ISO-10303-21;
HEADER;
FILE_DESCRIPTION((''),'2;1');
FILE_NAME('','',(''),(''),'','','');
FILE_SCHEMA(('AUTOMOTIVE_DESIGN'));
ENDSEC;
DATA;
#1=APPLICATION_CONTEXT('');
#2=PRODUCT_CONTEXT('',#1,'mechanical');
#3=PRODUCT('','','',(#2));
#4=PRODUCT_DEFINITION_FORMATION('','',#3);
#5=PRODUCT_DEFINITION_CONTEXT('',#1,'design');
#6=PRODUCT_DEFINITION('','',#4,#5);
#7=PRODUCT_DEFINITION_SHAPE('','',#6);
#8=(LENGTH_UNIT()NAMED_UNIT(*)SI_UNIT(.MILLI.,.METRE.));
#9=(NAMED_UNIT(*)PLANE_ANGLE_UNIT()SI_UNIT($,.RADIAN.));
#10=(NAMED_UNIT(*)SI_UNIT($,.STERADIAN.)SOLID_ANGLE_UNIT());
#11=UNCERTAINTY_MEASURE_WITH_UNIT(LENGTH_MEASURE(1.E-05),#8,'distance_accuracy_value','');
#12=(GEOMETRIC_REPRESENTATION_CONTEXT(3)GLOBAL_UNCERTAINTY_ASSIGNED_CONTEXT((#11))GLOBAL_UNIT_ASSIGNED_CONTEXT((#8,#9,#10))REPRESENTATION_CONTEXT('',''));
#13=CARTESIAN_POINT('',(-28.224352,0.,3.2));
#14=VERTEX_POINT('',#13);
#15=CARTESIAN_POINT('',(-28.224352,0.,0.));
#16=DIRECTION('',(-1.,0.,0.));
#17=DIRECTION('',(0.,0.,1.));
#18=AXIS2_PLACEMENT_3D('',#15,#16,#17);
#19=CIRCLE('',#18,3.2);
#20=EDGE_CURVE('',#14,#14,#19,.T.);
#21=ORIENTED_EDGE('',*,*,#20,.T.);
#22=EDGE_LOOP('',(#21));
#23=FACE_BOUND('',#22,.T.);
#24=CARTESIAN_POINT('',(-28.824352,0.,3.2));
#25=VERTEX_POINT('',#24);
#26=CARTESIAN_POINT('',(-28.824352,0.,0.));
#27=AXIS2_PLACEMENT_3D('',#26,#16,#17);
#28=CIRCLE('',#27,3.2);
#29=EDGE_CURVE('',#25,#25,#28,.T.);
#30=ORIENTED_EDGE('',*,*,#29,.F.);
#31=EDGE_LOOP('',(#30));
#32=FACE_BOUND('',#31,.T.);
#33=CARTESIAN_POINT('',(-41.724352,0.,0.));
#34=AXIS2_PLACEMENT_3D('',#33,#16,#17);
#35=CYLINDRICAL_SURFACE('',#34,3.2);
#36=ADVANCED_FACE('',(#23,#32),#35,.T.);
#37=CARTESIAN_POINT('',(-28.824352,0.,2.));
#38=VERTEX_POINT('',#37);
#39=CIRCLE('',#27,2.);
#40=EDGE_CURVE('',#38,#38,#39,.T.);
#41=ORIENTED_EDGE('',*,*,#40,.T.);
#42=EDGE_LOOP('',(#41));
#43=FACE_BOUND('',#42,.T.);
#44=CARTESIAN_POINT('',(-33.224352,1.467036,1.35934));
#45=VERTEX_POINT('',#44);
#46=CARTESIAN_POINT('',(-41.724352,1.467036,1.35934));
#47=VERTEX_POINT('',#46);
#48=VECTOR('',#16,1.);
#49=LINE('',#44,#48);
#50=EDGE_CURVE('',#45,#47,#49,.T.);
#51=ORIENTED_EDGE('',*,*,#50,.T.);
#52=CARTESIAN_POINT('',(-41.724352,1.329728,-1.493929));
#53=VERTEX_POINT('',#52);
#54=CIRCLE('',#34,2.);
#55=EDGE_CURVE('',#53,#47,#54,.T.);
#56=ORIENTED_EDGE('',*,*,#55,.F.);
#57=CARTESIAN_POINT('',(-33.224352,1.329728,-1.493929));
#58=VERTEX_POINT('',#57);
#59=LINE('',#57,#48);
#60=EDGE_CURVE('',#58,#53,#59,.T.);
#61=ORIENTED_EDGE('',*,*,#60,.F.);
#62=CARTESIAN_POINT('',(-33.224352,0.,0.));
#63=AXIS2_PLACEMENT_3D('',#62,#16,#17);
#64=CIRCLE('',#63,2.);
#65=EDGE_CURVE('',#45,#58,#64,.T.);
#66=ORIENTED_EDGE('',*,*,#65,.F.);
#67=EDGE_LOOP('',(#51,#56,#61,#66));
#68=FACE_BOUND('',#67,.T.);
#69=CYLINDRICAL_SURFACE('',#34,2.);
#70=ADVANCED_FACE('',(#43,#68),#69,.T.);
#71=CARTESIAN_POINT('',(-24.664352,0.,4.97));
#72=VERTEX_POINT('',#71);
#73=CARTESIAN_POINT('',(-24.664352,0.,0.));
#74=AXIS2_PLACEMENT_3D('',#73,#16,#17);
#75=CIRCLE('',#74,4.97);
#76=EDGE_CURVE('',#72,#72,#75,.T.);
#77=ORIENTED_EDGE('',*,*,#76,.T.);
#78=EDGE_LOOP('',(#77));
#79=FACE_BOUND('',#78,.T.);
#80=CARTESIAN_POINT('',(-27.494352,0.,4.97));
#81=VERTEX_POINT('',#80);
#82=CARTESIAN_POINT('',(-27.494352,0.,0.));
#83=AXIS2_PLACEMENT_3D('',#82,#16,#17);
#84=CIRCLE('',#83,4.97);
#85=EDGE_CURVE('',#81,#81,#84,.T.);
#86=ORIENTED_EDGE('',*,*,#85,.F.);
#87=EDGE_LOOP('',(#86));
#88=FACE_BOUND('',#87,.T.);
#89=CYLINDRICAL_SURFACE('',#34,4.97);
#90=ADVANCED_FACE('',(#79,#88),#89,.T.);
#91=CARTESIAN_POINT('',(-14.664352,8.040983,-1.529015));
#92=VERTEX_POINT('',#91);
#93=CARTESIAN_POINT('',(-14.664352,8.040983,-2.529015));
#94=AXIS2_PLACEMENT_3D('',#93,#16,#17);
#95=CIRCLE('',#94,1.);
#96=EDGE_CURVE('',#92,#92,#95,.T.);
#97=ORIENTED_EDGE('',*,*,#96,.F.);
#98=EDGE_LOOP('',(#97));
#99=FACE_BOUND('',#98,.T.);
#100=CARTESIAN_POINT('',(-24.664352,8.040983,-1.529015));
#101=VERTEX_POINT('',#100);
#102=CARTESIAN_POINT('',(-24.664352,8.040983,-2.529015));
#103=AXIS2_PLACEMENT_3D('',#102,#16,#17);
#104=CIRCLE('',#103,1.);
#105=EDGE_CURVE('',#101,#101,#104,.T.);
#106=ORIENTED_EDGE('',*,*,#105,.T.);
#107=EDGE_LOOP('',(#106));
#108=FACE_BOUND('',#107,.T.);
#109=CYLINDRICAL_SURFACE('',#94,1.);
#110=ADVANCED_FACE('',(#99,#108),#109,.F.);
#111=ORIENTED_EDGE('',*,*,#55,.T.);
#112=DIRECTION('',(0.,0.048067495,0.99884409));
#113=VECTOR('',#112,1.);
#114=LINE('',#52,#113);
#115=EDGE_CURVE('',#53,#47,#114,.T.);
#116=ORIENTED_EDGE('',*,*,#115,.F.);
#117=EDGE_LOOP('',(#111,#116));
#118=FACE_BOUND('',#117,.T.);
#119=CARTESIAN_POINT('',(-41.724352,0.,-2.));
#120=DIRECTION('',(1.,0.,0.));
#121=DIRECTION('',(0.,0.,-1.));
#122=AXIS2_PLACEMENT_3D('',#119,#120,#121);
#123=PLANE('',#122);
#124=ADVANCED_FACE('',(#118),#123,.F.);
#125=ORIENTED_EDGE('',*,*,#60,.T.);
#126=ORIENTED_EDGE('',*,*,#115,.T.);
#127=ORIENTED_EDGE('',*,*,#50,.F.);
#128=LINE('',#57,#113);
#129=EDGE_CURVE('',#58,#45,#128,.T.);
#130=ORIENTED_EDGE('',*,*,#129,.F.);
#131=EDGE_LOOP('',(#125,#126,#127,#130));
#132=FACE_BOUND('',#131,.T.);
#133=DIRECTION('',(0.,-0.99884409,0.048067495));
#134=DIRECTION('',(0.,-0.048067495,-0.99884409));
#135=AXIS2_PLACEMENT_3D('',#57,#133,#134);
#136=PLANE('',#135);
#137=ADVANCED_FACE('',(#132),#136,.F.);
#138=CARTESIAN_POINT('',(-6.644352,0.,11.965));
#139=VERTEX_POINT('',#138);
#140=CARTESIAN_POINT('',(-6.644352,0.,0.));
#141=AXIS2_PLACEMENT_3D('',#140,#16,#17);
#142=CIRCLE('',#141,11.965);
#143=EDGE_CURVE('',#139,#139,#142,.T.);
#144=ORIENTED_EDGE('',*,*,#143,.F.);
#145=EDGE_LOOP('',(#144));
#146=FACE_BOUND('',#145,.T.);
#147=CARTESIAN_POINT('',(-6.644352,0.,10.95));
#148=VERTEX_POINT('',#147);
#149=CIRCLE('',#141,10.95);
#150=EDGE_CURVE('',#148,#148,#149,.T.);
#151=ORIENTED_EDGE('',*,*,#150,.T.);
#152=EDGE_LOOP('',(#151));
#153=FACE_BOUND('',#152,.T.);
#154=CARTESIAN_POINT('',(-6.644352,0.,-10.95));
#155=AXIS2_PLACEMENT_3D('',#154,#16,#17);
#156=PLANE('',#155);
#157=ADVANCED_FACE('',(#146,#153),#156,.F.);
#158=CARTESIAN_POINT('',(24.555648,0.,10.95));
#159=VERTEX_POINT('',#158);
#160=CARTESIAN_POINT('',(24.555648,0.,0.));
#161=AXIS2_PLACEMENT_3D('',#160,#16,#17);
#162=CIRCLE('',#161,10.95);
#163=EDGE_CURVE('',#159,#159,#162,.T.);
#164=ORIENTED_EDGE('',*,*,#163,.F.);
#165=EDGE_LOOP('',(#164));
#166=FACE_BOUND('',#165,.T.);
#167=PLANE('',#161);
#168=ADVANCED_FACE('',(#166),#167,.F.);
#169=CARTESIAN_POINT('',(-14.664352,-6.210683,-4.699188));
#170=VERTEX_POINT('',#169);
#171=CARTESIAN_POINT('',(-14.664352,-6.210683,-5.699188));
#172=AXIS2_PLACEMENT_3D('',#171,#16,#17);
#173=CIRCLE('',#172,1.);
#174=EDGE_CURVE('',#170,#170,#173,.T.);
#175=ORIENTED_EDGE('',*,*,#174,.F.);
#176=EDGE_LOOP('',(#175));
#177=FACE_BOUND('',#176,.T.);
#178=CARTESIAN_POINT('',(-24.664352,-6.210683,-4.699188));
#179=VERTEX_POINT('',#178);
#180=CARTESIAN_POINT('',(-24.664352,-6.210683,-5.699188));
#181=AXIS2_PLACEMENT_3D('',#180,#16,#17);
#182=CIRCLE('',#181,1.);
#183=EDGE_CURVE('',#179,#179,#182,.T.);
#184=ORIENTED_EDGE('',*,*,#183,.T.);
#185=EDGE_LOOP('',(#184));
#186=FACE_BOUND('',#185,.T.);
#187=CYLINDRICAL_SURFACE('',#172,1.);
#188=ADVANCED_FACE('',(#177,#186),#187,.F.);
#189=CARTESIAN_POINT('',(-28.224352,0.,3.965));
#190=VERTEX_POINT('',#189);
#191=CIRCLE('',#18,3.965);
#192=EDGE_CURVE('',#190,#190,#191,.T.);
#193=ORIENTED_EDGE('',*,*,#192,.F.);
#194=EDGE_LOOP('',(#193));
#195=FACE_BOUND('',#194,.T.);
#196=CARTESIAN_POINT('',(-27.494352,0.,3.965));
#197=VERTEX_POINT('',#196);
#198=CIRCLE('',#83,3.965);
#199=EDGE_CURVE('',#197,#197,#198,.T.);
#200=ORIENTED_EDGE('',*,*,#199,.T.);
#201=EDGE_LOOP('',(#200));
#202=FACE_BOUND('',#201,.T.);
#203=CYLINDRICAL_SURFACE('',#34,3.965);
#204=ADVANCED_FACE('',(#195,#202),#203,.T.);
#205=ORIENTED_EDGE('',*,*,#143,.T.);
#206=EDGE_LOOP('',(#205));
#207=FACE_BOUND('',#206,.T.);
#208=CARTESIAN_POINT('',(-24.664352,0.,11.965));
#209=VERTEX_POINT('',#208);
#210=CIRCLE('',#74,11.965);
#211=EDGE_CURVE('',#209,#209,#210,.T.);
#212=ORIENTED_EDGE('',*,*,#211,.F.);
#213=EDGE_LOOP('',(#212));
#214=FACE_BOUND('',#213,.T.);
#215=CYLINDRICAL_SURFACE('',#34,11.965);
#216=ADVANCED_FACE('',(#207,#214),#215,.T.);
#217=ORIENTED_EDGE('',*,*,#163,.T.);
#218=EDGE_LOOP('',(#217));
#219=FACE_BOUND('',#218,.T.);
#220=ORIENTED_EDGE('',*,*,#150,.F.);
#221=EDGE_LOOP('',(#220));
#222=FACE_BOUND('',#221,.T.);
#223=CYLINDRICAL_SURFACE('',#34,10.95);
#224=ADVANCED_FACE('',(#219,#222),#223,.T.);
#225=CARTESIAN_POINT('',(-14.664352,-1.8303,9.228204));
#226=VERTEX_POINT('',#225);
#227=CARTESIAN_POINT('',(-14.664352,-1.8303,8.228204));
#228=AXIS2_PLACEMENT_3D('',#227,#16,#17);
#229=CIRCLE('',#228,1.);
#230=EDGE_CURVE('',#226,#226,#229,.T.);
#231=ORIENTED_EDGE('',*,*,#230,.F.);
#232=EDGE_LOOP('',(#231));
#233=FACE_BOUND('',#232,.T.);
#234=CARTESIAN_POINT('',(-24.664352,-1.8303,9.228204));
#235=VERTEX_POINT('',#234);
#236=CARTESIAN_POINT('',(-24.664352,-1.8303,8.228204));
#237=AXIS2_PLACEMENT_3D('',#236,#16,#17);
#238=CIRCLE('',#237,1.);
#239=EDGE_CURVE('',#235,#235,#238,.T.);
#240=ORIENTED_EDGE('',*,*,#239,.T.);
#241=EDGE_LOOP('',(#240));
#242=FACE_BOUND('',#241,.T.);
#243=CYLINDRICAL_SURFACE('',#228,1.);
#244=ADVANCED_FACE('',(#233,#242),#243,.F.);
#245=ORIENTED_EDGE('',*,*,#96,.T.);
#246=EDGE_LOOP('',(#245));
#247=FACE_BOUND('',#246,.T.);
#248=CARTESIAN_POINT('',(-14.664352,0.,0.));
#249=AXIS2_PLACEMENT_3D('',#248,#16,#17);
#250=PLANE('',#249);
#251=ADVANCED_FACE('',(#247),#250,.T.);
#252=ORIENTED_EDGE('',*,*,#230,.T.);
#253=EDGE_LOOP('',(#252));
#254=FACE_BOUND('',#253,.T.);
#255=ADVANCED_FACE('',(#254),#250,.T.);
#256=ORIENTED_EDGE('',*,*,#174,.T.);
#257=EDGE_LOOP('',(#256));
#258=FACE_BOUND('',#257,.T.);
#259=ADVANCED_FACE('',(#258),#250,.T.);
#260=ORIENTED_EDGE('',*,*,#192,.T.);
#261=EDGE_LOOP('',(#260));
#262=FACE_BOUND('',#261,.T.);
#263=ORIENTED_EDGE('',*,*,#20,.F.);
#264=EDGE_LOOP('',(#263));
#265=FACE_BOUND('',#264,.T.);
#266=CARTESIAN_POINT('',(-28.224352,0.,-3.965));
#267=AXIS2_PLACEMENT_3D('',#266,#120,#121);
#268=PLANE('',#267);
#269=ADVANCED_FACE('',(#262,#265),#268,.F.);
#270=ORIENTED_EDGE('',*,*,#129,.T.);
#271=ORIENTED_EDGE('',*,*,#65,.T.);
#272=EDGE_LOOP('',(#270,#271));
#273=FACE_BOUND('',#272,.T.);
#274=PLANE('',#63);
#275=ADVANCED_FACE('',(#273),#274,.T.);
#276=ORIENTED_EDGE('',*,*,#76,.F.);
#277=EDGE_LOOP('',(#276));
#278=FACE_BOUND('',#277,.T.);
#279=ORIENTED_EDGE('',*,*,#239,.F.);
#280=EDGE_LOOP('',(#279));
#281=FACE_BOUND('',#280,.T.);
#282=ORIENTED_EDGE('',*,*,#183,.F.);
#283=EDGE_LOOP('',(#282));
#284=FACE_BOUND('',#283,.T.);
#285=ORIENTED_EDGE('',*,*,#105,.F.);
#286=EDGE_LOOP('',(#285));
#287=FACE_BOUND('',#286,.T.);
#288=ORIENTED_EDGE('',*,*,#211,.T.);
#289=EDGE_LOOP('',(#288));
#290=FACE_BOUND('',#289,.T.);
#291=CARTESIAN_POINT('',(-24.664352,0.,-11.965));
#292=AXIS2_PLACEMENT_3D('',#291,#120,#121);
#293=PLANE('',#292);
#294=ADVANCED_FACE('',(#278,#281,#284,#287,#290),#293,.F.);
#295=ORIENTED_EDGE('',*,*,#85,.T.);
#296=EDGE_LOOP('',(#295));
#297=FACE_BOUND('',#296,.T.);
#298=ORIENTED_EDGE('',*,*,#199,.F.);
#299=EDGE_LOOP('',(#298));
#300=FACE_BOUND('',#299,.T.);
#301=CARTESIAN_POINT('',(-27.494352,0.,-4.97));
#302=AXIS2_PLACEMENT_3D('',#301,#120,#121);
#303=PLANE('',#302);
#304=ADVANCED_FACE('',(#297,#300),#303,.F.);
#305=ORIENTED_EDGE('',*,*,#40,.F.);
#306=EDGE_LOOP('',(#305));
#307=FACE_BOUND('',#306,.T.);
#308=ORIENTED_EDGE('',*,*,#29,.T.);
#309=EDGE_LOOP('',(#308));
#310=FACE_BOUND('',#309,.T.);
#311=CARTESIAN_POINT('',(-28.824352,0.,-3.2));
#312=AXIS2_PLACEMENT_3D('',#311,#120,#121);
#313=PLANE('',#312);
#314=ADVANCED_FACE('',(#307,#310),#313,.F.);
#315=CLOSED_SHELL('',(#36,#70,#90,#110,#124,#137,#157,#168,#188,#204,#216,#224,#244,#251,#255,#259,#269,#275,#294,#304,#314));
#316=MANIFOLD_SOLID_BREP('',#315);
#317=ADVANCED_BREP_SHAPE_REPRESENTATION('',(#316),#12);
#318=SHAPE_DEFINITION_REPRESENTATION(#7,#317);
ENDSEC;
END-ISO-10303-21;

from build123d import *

# Parameters (mm, degrees)
CUT_EXTRUDE1_DEPTH = 8.5
SKETCH4_R          = 1
CUT_EXTRUDE2_DEPTH = 10


with BuildPart() as part:
    # Sketch2 → Revolve1 (revolve)
    with BuildSketch(Plane(origin=(0, 0, 0), x_dir=(1, 0, 0), z_dir=(0, 1, 0)), mode=Mode.PRIVATE) as revolve1_sk:
        Polygon((-41.724352159, 0), (24.555647841, 0), (24.555647841, 10.95), (-6.644352159, 10.95), (-6.644352159, 11.965), (-24.664352159, 11.965), (-24.664352159, 4.97), (-27.494352159, 4.97), (-27.494352159, 3.965), (-28.224352159, 3.965), (-28.224352159, 3.2), (-28.824352159, 3.2), (-28.824352159, 2), (-41.724352159, 2), align=None)
    revolve(revolve1_sk.sketch.rotate(Axis((-41.724352159, 0, 0), (1, 0, 0)), 180), axis=Axis((-41.724352159, 0, 0), (1, 0, 0)))

    # Sketch3 → Cut-Extrude1 (cut)
    with BuildSketch(Plane.ZY.offset(41.724352159)):
        with BuildLine():
            Line((-1.493929209, 1.329727611), (1.359340223, 1.467035841))
            ThreePointArc((1.359340223, 1.467035841), (-0.096134989, 1.99768818), (-1.493929209, 1.329727611))
        make_face()
    extrude(amount=-CUT_EXTRUDE1_DEPTH, mode=Mode.SUBTRACT)

    # Sketch4 → Cut-Extrude2 (cut)
    with BuildSketch(Plane.ZY.offset(24.664352159)):
        with Locations((-2.529015446, 8.04098341)):
            Circle(SKETCH4_R)
        with Locations((-5.699188182, -6.210683328)):
            Circle(SKETCH4_R)
        with Locations((8.228203628, -1.830300082)):
            Circle(SKETCH4_R)
    extrude(amount=-CUT_EXTRUDE2_DEPTH, mode=Mode.SUBTRACT)


solid = part.part
